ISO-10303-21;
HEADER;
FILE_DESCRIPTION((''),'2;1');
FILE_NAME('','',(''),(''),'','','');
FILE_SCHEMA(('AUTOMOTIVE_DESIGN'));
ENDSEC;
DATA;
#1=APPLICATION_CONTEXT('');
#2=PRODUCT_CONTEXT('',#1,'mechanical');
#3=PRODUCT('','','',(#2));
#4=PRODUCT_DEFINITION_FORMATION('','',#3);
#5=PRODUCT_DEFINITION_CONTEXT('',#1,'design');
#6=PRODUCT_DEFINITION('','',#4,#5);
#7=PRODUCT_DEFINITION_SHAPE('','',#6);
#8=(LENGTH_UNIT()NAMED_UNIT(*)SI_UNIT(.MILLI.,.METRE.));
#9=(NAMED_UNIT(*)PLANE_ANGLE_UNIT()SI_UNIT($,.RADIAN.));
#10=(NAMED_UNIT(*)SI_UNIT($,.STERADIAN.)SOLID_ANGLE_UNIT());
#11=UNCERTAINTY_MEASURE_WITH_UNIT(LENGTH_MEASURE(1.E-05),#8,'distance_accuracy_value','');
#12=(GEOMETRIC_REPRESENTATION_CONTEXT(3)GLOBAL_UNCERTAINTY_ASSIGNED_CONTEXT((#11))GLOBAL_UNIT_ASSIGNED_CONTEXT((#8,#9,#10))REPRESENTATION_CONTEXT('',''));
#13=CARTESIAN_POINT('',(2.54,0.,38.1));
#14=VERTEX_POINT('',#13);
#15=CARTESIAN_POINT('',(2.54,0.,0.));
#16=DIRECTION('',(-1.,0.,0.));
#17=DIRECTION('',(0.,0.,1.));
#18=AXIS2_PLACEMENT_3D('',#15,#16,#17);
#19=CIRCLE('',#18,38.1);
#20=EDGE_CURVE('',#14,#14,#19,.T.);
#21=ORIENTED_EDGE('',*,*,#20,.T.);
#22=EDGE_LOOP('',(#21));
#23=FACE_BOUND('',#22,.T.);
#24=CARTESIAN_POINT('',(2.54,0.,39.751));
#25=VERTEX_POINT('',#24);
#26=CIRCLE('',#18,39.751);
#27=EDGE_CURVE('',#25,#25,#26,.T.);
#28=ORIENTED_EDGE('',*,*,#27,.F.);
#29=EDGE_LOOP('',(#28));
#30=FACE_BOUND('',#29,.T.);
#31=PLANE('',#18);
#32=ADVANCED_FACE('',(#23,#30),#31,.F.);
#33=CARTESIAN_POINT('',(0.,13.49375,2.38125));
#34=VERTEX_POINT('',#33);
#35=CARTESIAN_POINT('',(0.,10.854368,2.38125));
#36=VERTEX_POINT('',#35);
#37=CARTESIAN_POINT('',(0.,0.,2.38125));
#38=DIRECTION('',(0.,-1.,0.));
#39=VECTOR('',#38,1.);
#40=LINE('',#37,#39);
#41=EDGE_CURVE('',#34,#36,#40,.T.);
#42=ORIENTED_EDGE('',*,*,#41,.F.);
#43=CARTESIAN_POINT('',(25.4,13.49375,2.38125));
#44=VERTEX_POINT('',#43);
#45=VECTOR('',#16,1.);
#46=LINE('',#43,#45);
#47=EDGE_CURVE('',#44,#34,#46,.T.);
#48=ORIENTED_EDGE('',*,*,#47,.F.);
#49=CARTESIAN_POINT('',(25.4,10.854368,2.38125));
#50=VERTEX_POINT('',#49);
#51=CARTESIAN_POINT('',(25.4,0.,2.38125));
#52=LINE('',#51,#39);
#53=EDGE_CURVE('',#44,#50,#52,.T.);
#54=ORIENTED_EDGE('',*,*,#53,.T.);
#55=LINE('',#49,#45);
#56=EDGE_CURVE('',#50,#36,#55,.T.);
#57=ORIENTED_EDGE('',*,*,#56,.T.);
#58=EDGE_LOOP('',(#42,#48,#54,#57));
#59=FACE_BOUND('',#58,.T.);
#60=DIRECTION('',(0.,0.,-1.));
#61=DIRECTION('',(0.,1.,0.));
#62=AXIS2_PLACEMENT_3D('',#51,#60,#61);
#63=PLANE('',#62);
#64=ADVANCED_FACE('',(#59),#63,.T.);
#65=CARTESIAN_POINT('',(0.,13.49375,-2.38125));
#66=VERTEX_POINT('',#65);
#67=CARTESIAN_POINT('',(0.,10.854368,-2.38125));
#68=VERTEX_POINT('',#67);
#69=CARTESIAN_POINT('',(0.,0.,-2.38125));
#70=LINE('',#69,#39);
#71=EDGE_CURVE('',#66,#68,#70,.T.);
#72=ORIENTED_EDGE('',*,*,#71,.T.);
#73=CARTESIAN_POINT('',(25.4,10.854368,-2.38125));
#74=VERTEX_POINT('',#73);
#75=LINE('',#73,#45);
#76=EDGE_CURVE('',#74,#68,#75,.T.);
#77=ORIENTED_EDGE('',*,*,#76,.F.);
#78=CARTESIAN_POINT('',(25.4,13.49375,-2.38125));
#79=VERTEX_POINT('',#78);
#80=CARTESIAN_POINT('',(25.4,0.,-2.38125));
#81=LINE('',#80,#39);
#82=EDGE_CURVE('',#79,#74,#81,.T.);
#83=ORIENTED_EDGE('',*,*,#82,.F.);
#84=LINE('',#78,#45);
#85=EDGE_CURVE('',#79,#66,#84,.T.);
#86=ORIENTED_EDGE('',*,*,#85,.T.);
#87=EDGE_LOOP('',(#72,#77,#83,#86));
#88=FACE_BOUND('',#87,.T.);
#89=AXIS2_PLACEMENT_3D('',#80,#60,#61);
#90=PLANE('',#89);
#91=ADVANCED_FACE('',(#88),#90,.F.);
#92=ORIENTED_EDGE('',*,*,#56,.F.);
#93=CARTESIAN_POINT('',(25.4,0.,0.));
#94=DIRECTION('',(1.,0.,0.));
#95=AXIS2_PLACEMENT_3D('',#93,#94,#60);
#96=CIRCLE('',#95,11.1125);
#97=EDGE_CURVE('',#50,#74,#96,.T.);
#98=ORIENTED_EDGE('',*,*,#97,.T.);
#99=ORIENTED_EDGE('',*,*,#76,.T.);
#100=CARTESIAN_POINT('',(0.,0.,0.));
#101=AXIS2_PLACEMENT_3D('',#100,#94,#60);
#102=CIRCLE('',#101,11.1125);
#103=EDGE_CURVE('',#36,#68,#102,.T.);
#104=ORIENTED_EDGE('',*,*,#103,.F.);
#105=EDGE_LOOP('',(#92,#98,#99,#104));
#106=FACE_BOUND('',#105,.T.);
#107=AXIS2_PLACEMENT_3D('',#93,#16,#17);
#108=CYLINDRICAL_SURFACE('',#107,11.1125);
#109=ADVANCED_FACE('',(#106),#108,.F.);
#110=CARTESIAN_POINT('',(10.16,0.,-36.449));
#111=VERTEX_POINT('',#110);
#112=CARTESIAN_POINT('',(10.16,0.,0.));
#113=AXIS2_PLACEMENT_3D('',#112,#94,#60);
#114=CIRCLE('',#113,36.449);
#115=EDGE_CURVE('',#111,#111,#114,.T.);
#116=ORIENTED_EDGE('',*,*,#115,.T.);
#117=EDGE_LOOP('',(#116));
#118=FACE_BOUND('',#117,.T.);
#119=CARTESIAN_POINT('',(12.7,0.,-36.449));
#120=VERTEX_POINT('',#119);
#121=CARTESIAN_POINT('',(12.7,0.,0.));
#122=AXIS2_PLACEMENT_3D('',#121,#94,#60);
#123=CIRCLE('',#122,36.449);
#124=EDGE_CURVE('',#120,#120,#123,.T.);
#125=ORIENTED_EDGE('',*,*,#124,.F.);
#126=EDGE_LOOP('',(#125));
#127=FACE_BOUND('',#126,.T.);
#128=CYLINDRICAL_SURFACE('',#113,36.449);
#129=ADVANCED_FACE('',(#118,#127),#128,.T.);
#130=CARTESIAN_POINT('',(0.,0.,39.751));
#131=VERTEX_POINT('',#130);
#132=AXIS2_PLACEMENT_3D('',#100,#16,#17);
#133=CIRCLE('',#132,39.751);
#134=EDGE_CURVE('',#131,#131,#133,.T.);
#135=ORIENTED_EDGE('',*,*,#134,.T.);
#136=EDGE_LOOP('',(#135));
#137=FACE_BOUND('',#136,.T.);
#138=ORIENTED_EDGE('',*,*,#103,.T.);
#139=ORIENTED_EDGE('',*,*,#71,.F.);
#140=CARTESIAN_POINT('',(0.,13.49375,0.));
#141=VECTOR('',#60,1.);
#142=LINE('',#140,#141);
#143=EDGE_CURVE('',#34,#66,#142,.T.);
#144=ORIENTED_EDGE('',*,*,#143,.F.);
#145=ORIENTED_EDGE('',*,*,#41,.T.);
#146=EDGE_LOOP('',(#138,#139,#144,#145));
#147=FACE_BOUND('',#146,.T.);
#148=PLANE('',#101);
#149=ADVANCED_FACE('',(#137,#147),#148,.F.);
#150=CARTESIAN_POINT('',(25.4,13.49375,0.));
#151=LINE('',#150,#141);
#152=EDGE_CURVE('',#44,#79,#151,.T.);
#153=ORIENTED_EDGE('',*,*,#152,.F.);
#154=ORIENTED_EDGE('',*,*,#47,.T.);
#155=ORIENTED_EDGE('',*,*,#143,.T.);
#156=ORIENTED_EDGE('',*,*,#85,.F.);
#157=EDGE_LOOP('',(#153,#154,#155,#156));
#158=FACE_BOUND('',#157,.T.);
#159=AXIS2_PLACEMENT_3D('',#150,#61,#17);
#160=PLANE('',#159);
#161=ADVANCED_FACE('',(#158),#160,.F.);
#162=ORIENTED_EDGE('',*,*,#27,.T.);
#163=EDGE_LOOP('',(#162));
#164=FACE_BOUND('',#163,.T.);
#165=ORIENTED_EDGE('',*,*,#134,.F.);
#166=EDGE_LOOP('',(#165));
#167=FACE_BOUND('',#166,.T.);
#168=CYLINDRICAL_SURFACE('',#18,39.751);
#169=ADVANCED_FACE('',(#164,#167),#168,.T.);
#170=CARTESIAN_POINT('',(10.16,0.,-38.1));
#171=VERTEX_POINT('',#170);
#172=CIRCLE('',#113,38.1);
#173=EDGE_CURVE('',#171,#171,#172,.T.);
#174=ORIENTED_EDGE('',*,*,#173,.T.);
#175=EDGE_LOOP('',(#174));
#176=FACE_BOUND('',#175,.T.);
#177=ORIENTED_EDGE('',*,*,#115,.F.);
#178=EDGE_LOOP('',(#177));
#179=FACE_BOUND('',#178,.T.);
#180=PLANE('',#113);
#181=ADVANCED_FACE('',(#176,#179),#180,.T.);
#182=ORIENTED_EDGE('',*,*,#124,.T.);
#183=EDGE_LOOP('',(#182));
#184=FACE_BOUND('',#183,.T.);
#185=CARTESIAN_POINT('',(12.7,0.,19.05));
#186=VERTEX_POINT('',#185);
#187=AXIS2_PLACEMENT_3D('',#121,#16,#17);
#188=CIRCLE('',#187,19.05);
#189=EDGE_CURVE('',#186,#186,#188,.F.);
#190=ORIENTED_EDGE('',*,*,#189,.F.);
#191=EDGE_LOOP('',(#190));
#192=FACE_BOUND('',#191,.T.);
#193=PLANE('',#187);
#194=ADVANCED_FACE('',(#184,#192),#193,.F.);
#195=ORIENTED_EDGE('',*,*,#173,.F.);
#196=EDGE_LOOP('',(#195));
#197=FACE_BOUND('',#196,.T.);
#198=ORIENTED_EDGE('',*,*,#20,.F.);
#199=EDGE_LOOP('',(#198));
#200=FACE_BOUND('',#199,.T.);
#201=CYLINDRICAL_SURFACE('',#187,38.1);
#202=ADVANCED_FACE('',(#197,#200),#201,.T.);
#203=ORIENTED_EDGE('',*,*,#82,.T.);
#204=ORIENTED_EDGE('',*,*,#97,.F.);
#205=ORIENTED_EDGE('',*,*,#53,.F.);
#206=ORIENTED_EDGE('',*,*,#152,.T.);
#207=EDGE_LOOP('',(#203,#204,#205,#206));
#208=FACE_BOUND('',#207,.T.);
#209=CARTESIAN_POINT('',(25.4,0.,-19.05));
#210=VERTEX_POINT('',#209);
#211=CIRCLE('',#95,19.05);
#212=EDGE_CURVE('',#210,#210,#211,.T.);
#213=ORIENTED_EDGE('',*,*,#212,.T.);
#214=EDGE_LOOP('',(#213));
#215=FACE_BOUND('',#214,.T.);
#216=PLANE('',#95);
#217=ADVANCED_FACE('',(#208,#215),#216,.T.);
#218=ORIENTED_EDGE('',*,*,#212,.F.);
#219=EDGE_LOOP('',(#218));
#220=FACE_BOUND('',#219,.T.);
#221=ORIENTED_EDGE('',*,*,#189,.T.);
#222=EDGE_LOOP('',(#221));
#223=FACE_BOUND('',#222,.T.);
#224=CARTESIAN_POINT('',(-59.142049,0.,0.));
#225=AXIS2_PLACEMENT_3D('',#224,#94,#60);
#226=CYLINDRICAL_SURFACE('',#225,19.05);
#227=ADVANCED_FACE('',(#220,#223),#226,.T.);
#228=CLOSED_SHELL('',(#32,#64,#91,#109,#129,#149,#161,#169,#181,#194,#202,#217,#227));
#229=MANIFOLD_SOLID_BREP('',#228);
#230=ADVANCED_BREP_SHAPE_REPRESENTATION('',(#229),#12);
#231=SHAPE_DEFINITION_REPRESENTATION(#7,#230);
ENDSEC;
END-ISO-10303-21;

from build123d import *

# Parameters (mm, degrees)
SKETCH1_R           = 25.4
BOSS_EXTRUDE1_DEPTH = 25.4
SKETCH2_R           = 38.1
SKETCH2_R_2         = 19.05
BOSS_EXTRUDE2_DEPTH = 12.7
SKETCH3_R           = 25.4
SKETCH3_R_2         = 19.05
CUT_EXTRUDE1_DEPTH  = 12.7
SKETCH5_R           = 39.751
SKETCH5_R_2         = 38.1
BOSS_EXTRUDE3_DEPTH = 2.54
SKETCH6_R           = 38.1
SKETCH6_R_2         = 36.449
CUT_EXTRUDE3_DEPTH  = 2.54


with BuildPart() as part:
    # Sketch1 → Boss-Extrude1 (new body)
    with BuildSketch(Plane(origin=(0, 0, 0), x_dir=(0, 0, -1), z_dir=(1, 0, 0))):
        Circle(SKETCH1_R)
        with BuildLine():
            Line((-2.38125, 10.854368), (-2.38125, 13.49375))
            Line((-2.38125, 13.49375), (2.38125, 13.49375))
            Line((2.38125, 13.49375), (2.38125, 10.854368))
            ThreePointArc((2.38125, 10.854368), (8.658790241, 6.965127982), (11.1125, 0))
            ThreePointArc((11.1125, 0), (-6.965127982, -8.658790241), (-2.38125, 10.854368))
        make_face(mode=Mode.SUBTRACT)
    extrude(amount=BOSS_EXTRUDE1_DEPTH)

    # Sketch2 → Boss-Extrude2 (add)
    with BuildSketch(Plane.ZY):
        Circle(SKETCH2_R)
        Circle(SKETCH2_R_2, mode=Mode.SUBTRACT)
    extrude(amount=-BOSS_EXTRUDE2_DEPTH)

    # Sketch3 → Cut-Extrude1 (cut)
    with BuildSketch(Plane(origin=(25.4, 0, 0), x_dir=(0, 0, -1), z_dir=(1, 0, 0))):
        Circle(SKETCH3_R)
        Circle(SKETCH3_R_2, mode=Mode.SUBTRACT)
    extrude(amount=-CUT_EXTRUDE1_DEPTH, mode=Mode.SUBTRACT)

    # Sketch5 → Boss-Extrude3 (add)
    with BuildSketch(Plane.ZY):
        Circle(SKETCH5_R)
        Circle(SKETCH5_R_2, mode=Mode.SUBTRACT)
    extrude(amount=-BOSS_EXTRUDE3_DEPTH)

    # Sketch6 → Cut-Extrude3 (cut)
    with BuildSketch(Plane(origin=(12.7, 0, 0), x_dir=(0, 0, -1), z_dir=(1, 0, 0))):
        Circle(SKETCH6_R)
        Circle(SKETCH6_R_2, mode=Mode.SUBTRACT)
    extrude(amount=-CUT_EXTRUDE3_DEPTH, mode=Mode.SUBTRACT)


solid = part.part
